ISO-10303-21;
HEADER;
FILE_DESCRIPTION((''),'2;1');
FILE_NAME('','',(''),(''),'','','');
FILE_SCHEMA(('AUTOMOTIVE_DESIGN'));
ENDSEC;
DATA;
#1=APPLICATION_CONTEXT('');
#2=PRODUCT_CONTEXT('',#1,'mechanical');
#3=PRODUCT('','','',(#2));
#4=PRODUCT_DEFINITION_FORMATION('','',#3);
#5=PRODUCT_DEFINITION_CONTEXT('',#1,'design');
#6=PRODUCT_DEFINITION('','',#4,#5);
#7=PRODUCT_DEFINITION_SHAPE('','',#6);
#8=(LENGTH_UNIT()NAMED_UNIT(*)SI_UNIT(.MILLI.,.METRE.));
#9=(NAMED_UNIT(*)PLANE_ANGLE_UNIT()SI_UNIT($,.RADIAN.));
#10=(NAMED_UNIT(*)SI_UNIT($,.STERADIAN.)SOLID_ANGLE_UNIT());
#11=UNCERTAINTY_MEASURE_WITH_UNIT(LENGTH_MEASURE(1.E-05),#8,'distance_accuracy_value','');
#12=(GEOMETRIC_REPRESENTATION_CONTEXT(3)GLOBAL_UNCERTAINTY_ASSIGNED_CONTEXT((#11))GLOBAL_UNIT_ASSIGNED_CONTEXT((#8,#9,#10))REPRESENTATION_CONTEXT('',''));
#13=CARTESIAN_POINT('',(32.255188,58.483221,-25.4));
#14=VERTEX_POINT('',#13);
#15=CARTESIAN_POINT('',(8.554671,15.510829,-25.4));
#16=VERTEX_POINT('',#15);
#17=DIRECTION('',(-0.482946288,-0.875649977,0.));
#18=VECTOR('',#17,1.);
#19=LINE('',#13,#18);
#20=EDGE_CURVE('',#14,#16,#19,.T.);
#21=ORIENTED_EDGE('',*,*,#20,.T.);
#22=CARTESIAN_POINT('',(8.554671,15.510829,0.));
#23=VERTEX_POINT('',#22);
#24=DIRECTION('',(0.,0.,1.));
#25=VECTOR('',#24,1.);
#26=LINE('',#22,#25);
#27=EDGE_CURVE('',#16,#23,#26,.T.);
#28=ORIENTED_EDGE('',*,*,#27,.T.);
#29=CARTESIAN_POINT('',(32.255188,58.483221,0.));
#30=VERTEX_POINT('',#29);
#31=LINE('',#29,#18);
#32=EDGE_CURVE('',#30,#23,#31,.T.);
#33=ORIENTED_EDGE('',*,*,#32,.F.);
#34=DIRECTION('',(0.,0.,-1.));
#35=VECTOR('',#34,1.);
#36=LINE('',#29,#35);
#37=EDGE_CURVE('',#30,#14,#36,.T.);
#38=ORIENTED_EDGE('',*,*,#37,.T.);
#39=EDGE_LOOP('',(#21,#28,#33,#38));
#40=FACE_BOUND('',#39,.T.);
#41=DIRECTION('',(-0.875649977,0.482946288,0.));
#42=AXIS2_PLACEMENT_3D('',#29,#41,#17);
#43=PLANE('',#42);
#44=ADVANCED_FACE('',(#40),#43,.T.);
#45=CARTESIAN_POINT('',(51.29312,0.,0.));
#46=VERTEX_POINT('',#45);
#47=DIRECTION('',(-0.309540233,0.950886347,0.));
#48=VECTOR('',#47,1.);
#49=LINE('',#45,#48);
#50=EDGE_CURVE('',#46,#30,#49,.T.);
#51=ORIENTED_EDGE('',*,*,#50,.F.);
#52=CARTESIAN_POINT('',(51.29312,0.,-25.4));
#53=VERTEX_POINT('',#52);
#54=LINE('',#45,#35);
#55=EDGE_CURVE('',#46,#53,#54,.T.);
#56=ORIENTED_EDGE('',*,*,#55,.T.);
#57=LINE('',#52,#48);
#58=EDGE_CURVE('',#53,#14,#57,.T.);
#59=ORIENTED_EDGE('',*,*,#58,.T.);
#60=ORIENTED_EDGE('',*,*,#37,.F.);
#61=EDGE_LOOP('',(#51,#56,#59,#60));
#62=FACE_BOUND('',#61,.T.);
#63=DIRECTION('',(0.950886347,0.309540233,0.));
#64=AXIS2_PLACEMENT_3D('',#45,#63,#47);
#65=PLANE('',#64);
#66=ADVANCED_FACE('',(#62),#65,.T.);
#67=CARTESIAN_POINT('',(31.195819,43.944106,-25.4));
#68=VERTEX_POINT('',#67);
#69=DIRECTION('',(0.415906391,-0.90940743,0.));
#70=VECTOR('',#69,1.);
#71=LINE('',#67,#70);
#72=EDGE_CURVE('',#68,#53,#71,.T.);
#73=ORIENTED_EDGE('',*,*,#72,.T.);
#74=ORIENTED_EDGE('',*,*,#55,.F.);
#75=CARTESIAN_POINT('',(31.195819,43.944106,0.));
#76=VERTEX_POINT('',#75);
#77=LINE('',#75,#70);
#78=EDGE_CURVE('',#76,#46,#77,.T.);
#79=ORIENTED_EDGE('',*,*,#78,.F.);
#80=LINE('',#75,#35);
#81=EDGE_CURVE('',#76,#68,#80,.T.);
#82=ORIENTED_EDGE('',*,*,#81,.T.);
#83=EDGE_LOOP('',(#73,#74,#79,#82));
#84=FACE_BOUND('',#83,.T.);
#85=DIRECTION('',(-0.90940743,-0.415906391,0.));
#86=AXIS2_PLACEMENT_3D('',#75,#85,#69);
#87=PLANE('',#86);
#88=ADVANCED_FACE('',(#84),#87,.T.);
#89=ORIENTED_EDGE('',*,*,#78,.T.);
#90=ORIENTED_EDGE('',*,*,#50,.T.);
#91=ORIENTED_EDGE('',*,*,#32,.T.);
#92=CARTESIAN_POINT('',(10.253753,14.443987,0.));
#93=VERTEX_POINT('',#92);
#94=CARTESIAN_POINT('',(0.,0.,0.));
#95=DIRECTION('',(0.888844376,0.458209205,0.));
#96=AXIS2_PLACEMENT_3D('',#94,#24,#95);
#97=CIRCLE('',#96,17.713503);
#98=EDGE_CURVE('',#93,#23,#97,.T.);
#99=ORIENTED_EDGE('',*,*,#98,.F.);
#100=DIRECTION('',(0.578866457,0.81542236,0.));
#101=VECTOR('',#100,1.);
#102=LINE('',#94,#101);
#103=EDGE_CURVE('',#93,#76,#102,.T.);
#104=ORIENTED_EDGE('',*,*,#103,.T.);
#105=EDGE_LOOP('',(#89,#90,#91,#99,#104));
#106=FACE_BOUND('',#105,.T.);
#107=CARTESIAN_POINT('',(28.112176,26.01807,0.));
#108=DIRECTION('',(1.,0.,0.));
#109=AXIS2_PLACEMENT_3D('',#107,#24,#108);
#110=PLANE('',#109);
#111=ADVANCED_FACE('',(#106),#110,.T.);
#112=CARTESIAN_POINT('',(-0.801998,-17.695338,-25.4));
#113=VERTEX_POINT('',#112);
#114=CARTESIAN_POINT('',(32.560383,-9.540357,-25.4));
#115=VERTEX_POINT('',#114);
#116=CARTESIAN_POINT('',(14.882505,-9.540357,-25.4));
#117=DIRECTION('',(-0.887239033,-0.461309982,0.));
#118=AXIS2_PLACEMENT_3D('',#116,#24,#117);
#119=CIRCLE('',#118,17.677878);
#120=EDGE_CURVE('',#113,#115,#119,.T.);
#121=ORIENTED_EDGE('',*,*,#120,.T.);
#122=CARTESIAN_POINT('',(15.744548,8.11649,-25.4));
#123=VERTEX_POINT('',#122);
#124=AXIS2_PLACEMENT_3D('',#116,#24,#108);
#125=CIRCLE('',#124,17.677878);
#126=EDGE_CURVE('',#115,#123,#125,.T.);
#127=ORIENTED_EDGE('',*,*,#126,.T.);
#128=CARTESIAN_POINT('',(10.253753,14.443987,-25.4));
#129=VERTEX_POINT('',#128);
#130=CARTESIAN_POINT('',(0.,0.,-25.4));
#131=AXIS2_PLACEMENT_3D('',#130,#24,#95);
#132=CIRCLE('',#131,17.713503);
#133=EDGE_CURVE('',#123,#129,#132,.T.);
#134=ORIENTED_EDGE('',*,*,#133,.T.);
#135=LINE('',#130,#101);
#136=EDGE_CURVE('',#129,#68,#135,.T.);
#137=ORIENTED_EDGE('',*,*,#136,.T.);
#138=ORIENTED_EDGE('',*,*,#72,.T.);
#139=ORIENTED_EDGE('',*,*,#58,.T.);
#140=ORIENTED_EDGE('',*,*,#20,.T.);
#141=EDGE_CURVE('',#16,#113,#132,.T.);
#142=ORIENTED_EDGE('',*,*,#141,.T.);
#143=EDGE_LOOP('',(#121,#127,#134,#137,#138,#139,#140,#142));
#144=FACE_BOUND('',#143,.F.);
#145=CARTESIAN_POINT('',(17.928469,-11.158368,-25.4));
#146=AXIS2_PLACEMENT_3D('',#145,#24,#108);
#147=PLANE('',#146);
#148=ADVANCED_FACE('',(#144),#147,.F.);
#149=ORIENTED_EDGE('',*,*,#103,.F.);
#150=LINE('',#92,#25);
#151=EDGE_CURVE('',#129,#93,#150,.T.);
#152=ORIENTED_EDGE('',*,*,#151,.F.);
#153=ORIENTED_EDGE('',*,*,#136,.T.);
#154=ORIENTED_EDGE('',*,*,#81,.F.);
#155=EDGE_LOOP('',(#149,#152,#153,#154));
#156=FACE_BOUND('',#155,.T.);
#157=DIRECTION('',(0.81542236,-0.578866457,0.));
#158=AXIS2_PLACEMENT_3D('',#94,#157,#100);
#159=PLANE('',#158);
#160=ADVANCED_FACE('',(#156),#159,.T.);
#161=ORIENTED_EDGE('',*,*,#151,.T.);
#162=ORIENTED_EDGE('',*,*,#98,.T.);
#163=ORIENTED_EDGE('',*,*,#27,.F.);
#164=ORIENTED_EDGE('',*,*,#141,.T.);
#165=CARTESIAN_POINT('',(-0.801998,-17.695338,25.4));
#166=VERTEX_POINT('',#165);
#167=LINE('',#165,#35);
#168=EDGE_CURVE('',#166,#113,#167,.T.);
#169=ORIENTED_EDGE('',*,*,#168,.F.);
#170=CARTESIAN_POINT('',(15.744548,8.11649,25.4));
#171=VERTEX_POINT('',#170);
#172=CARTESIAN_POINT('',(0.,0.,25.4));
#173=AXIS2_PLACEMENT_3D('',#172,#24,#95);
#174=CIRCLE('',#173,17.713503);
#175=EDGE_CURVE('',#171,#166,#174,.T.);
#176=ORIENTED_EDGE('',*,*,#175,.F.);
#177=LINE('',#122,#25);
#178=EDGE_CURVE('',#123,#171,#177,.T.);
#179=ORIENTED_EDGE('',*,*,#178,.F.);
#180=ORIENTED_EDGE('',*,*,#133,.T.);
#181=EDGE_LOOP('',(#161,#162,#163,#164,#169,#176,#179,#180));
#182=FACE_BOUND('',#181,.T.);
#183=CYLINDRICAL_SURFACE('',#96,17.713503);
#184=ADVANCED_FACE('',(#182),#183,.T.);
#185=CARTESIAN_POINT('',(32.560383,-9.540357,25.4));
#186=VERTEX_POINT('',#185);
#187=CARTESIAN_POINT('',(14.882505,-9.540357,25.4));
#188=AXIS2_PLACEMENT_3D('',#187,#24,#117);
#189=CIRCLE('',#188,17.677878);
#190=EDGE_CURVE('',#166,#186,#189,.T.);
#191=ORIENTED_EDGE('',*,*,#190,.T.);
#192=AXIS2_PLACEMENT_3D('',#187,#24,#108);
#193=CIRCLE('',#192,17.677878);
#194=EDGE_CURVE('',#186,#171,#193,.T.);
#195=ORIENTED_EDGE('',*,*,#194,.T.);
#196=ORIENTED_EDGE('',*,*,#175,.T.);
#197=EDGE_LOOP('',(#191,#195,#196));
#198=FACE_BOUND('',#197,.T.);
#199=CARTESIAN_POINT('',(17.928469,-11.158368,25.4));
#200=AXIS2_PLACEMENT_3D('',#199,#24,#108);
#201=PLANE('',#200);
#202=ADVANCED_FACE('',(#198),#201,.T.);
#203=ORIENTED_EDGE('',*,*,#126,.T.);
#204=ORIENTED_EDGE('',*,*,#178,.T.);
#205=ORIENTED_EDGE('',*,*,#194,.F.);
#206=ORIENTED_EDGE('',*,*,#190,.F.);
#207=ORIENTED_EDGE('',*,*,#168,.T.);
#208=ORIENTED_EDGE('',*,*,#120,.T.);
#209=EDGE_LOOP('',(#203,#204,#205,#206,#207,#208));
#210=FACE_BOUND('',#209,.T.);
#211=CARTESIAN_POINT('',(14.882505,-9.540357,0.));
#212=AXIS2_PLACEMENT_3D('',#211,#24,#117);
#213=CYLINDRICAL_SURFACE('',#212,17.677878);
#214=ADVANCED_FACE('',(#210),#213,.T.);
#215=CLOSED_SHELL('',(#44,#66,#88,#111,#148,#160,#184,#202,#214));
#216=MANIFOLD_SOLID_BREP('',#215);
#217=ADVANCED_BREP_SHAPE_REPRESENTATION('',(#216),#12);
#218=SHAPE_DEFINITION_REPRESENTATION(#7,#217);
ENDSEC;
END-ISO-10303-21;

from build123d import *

# Parameters (mm, degrees)
F1_DEPTH = 25.4
F3_DEPTH = 25.4


with BuildPart() as f1:
    # F0 (on Top) → F1 (new body, symmetric)
    with BuildSketch(Plane.XY):
        with BuildLine():
            ThreePointArc((-0.801998148, -17.6953381212), (19.0800418459, -26.7126612322), (32.5603826172, -9.5403566957))
            ThreePointArc((32.5603826172, -9.5403566957), (27.683802609, 2.6512033834), (15.7445476087, 8.1164901805))
            ThreePointArc((15.7445476087, 8.1164901805), (17.2142279119, 4.1759489519), (17.7135031051, 0))
            ThreePointArc((17.7135031051, 0), (12.2385047201, -12.8057484931), (-0.801998148, -17.6953381212))
        make_face()
        with BuildLine():
            ThreePointArc((17.7135031051, 0), (17.2142279119, 4.1759489519), (15.7445476087, 8.1164901805))
            ThreePointArc((15.7445476087, 8.1164901805), (0, 0), (-0.801998148, -17.6953381212))
            ThreePointArc((-0.801998148, -17.6953381212), (12.2385047201, -12.8057484931), (17.7135031051, 0))
        make_face()
        with BuildLine():
            ThreePointArc((-0.801998148, -17.6953381212), (0, 0), (15.7445476087, 8.1164901805))
            ThreePointArc((15.7445476087, 8.1164901805), (-14.9124969796, 9.5595829453), (-0.801998148, -17.6953381212))
        make_face()
    extrude(amount=F1_DEPTH, both=True)

    # F2 (on Top) → F3 (join)
    with BuildSketch(Plane.XY):
        Polygon((0, 0), (31.1958193779, 43.9441055059), (51.2931197882, 0), (32.2551876307, 58.4832206368), align=None)
    extrude(amount=-F3_DEPTH)


solid = f1.part
